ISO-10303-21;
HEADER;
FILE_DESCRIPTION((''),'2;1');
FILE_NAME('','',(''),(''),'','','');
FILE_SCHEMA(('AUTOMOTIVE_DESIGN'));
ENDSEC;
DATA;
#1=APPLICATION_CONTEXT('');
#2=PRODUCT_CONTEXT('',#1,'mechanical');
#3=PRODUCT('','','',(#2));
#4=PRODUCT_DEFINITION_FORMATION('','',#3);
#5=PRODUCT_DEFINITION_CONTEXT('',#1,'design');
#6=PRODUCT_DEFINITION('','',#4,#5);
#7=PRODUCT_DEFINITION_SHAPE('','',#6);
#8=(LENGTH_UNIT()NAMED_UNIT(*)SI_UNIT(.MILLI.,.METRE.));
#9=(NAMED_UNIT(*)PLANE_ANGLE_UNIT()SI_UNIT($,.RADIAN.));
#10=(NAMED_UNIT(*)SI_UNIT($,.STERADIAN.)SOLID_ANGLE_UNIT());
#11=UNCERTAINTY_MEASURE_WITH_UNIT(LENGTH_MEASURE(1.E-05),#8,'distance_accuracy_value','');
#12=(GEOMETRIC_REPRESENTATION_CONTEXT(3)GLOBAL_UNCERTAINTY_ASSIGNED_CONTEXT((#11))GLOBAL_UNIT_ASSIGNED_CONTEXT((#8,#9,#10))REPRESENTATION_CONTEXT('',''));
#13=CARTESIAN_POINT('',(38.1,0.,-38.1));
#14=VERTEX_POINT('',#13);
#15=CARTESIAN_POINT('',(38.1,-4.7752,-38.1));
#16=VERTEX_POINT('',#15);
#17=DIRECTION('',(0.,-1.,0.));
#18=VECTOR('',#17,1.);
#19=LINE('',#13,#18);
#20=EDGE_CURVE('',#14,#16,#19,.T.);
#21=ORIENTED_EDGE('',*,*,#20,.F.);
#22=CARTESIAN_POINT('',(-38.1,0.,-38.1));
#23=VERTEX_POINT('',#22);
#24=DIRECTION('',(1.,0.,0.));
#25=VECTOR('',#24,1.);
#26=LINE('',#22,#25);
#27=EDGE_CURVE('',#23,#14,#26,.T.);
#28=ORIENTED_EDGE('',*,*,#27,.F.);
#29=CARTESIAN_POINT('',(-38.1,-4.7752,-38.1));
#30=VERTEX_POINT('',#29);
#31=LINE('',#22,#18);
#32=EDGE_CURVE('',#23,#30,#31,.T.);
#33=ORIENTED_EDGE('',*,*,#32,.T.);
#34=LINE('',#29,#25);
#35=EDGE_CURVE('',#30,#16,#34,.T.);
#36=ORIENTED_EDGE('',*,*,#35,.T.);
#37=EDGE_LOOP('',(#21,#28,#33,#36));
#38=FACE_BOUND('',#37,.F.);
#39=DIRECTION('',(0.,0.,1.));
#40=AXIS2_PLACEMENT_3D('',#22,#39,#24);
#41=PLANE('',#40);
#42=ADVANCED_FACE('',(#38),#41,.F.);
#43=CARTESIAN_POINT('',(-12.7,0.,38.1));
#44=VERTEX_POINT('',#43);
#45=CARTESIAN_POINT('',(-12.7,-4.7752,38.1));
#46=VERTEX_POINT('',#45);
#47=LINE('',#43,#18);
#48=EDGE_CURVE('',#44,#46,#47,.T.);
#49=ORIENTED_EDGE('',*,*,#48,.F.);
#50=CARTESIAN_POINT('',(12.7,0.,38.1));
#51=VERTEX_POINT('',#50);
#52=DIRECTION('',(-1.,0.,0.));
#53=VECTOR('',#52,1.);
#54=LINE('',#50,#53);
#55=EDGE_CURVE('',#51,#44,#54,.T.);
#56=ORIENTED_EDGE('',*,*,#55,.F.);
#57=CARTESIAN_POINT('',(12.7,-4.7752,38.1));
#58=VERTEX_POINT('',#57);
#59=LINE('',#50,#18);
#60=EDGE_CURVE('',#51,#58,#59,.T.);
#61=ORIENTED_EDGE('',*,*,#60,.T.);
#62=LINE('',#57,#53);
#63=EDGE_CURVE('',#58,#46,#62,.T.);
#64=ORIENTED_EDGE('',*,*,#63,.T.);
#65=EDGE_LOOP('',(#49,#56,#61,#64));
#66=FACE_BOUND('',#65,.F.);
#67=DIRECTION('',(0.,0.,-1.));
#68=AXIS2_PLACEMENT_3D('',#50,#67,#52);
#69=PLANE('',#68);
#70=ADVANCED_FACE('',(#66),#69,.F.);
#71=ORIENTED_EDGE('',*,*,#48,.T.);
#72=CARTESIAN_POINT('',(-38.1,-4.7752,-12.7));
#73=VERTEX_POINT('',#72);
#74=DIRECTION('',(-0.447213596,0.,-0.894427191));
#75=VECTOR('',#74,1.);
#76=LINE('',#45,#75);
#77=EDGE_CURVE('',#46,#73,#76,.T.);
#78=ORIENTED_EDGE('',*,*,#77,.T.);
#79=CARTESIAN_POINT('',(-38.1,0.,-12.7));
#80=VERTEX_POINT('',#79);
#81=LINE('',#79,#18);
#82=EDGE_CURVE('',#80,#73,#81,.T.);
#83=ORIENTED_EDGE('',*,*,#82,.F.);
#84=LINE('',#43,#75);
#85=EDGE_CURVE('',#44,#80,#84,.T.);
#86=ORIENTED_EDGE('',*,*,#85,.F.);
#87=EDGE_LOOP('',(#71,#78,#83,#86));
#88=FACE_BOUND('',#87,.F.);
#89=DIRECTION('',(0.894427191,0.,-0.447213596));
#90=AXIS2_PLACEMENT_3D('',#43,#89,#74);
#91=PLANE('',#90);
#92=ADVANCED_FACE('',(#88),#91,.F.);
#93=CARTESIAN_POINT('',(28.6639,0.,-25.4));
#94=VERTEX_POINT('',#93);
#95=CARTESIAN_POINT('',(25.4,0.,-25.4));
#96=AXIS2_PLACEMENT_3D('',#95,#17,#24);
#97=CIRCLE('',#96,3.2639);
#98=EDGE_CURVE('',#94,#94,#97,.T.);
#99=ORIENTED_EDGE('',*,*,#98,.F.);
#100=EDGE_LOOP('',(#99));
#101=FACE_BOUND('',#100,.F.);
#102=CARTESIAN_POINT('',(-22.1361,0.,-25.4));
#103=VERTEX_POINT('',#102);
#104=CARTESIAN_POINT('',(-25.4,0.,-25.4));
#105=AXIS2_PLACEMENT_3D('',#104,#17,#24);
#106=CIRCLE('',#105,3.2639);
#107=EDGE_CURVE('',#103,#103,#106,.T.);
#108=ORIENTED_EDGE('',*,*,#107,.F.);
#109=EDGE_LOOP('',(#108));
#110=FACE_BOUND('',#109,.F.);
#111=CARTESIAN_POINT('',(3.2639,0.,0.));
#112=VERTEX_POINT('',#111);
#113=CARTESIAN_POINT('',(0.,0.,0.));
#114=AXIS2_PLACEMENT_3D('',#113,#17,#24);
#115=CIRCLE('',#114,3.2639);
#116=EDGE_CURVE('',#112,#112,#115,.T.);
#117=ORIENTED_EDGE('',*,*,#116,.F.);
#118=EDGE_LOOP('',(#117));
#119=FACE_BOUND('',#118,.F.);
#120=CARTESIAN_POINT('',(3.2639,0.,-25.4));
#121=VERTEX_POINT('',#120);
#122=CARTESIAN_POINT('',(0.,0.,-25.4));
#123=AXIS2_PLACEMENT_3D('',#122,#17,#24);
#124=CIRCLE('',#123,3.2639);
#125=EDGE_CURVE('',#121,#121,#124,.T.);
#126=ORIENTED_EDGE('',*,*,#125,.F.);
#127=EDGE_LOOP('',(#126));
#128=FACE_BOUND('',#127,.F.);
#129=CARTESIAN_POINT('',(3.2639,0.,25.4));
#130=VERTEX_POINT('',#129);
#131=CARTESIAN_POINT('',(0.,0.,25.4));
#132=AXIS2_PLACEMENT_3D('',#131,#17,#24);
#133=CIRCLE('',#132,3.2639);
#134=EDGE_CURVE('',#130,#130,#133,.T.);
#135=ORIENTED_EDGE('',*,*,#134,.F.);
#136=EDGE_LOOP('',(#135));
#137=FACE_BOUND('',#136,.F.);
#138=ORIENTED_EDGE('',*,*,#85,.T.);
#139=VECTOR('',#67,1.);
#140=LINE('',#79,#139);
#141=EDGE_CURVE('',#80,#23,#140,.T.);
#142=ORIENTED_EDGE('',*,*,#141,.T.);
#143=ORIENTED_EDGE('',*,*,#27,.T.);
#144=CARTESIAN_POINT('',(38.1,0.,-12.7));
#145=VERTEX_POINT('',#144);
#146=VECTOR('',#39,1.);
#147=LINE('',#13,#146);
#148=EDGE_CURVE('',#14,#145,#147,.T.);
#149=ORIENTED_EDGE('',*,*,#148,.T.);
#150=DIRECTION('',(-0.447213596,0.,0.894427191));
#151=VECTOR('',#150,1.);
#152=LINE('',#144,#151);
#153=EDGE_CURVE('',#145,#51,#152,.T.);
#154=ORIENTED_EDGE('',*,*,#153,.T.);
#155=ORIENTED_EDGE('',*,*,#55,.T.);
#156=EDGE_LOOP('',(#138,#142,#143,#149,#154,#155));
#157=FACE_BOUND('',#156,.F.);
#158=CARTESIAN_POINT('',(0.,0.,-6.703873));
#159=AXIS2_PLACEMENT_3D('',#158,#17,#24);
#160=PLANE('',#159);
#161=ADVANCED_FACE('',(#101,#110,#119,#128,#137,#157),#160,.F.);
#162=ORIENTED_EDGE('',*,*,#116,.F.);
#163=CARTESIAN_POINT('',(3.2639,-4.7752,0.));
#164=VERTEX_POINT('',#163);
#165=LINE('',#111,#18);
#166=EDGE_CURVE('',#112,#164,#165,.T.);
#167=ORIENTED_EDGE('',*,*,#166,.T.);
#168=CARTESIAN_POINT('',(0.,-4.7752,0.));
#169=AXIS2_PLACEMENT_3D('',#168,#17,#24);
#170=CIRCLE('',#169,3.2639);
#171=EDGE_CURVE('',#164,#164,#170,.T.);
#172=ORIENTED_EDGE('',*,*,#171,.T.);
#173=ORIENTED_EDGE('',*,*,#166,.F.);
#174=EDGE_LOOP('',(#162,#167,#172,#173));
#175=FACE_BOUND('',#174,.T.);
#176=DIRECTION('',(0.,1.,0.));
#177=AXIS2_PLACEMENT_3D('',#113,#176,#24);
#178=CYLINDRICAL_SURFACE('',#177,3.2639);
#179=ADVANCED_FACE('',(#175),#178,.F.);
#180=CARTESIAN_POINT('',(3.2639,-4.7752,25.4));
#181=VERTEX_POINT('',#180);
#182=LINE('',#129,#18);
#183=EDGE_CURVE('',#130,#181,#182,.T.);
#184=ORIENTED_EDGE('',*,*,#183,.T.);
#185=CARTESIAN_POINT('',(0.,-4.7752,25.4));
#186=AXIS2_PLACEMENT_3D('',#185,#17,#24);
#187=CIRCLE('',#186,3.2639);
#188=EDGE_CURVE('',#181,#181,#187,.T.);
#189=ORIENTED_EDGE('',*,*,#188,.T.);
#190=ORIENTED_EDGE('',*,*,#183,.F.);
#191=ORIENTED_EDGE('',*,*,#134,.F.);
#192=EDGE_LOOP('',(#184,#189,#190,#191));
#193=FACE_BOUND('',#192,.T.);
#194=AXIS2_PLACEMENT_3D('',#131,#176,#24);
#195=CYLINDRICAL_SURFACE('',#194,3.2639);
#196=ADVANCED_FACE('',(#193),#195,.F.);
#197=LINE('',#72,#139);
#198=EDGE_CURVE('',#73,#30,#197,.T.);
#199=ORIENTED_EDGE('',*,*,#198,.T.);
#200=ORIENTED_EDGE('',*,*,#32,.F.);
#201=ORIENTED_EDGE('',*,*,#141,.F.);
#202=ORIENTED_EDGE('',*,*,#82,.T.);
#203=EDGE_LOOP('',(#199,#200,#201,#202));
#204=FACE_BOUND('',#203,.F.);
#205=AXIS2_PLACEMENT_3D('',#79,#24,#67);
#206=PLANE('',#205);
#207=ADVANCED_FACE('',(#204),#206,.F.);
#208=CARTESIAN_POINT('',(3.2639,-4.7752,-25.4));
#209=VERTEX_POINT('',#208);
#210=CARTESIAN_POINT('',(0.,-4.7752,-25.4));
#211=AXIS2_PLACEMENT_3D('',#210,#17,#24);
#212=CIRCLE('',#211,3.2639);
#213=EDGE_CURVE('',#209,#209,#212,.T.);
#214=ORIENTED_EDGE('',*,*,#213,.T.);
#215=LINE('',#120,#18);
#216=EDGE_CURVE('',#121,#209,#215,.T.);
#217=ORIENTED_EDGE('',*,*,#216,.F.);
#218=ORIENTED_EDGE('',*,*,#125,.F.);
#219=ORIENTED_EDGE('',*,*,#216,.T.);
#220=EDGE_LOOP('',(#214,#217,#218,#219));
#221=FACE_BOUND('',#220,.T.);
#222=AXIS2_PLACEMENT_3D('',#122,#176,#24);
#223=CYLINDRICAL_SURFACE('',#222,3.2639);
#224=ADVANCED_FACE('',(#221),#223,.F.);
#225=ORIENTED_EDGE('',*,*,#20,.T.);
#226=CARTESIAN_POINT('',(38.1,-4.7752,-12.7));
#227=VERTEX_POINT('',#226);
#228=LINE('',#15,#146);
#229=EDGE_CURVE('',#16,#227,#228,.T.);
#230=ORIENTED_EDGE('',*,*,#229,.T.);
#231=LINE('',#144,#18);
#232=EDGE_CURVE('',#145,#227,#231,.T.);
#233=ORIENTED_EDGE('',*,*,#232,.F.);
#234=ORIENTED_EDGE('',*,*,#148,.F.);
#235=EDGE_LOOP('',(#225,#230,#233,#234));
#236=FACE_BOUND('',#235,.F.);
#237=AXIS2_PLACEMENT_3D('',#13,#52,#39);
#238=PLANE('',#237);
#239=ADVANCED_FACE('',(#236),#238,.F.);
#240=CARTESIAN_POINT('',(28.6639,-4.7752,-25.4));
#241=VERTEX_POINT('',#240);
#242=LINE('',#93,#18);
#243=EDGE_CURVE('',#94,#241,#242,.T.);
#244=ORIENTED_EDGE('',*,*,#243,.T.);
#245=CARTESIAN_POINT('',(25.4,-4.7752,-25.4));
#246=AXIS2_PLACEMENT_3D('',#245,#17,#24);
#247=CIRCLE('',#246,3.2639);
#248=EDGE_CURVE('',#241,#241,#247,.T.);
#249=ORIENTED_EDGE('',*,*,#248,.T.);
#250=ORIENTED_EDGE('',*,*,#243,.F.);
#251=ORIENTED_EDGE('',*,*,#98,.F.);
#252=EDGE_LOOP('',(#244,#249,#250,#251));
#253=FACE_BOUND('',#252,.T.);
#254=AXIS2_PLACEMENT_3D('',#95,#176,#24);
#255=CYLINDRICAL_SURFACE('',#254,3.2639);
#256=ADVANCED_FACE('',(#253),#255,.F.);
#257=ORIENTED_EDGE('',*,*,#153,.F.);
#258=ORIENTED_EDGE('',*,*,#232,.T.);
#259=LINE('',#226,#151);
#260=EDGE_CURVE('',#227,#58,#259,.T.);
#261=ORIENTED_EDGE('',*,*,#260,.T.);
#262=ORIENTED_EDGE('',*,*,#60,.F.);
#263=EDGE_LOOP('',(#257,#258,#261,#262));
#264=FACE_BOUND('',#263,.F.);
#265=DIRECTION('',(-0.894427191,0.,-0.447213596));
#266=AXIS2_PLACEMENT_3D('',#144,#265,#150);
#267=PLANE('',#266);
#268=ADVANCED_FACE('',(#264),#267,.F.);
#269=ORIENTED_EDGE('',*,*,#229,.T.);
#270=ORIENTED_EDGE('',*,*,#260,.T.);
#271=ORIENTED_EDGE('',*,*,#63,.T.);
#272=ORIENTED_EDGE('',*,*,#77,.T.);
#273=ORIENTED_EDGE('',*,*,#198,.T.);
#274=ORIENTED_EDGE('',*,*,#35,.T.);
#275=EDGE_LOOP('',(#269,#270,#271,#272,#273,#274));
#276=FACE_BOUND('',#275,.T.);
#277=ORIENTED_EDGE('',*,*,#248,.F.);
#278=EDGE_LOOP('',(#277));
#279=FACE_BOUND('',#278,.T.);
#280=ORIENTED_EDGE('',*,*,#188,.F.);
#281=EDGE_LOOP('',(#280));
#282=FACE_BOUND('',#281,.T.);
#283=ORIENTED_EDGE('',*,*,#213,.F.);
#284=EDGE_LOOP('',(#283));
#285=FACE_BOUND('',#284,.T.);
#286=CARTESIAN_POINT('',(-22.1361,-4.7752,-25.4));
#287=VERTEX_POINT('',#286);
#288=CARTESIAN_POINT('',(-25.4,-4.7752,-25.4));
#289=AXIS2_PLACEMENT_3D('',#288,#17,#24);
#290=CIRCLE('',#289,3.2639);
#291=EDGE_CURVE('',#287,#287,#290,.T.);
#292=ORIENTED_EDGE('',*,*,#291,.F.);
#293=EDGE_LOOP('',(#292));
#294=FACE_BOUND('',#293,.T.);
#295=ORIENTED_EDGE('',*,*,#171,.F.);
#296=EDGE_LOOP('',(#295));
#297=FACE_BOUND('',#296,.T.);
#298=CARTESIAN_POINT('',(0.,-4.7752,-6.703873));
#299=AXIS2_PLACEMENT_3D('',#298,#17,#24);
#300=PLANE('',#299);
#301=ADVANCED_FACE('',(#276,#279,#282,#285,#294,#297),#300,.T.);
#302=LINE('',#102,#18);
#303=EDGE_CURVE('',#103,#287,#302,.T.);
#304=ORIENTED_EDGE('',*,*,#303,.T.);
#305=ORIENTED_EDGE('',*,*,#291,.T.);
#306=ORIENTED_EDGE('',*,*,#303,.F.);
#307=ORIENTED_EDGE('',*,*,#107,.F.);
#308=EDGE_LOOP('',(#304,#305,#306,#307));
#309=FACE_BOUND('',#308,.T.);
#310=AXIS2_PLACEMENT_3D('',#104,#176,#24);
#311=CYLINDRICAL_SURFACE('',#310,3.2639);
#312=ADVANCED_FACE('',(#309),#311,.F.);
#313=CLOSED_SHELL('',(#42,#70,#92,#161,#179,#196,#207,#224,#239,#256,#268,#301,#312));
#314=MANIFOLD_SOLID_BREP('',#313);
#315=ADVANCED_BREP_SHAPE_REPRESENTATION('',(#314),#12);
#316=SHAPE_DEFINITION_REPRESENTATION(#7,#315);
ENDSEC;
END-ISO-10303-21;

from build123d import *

# Parameters (mm, degrees)
F0_R     = 3.2639
F1_DEPTH = 4.7752


with BuildPart() as f1:
    # F0 (on Front) → F1 (new body)
    with BuildSketch(Plane.XZ):
        Polygon((-12.7, -38.1), (12.7, -38.1), (38.1, -38.1), (38.1, -12.7), (12.7, 38.1), (-12.7, 38.1), (-38.1, -12.7), (-38.1, -38.1), align=None)
        with Locations((-25.4, -25.4)):
            Circle(F0_R, mode=Mode.SUBTRACT)
        with Locations((0, -25.4)):
            Circle(F0_R, mode=Mode.SUBTRACT)
        Circle(F0_R, mode=Mode.SUBTRACT)
        with Locations((25.4, -25.4)):
            Circle(F0_R, mode=Mode.SUBTRACT)
        with Locations((0, 25.4)):
            Circle(F0_R, mode=Mode.SUBTRACT)
    extrude(amount=F1_DEPTH)


solid = f1.part
